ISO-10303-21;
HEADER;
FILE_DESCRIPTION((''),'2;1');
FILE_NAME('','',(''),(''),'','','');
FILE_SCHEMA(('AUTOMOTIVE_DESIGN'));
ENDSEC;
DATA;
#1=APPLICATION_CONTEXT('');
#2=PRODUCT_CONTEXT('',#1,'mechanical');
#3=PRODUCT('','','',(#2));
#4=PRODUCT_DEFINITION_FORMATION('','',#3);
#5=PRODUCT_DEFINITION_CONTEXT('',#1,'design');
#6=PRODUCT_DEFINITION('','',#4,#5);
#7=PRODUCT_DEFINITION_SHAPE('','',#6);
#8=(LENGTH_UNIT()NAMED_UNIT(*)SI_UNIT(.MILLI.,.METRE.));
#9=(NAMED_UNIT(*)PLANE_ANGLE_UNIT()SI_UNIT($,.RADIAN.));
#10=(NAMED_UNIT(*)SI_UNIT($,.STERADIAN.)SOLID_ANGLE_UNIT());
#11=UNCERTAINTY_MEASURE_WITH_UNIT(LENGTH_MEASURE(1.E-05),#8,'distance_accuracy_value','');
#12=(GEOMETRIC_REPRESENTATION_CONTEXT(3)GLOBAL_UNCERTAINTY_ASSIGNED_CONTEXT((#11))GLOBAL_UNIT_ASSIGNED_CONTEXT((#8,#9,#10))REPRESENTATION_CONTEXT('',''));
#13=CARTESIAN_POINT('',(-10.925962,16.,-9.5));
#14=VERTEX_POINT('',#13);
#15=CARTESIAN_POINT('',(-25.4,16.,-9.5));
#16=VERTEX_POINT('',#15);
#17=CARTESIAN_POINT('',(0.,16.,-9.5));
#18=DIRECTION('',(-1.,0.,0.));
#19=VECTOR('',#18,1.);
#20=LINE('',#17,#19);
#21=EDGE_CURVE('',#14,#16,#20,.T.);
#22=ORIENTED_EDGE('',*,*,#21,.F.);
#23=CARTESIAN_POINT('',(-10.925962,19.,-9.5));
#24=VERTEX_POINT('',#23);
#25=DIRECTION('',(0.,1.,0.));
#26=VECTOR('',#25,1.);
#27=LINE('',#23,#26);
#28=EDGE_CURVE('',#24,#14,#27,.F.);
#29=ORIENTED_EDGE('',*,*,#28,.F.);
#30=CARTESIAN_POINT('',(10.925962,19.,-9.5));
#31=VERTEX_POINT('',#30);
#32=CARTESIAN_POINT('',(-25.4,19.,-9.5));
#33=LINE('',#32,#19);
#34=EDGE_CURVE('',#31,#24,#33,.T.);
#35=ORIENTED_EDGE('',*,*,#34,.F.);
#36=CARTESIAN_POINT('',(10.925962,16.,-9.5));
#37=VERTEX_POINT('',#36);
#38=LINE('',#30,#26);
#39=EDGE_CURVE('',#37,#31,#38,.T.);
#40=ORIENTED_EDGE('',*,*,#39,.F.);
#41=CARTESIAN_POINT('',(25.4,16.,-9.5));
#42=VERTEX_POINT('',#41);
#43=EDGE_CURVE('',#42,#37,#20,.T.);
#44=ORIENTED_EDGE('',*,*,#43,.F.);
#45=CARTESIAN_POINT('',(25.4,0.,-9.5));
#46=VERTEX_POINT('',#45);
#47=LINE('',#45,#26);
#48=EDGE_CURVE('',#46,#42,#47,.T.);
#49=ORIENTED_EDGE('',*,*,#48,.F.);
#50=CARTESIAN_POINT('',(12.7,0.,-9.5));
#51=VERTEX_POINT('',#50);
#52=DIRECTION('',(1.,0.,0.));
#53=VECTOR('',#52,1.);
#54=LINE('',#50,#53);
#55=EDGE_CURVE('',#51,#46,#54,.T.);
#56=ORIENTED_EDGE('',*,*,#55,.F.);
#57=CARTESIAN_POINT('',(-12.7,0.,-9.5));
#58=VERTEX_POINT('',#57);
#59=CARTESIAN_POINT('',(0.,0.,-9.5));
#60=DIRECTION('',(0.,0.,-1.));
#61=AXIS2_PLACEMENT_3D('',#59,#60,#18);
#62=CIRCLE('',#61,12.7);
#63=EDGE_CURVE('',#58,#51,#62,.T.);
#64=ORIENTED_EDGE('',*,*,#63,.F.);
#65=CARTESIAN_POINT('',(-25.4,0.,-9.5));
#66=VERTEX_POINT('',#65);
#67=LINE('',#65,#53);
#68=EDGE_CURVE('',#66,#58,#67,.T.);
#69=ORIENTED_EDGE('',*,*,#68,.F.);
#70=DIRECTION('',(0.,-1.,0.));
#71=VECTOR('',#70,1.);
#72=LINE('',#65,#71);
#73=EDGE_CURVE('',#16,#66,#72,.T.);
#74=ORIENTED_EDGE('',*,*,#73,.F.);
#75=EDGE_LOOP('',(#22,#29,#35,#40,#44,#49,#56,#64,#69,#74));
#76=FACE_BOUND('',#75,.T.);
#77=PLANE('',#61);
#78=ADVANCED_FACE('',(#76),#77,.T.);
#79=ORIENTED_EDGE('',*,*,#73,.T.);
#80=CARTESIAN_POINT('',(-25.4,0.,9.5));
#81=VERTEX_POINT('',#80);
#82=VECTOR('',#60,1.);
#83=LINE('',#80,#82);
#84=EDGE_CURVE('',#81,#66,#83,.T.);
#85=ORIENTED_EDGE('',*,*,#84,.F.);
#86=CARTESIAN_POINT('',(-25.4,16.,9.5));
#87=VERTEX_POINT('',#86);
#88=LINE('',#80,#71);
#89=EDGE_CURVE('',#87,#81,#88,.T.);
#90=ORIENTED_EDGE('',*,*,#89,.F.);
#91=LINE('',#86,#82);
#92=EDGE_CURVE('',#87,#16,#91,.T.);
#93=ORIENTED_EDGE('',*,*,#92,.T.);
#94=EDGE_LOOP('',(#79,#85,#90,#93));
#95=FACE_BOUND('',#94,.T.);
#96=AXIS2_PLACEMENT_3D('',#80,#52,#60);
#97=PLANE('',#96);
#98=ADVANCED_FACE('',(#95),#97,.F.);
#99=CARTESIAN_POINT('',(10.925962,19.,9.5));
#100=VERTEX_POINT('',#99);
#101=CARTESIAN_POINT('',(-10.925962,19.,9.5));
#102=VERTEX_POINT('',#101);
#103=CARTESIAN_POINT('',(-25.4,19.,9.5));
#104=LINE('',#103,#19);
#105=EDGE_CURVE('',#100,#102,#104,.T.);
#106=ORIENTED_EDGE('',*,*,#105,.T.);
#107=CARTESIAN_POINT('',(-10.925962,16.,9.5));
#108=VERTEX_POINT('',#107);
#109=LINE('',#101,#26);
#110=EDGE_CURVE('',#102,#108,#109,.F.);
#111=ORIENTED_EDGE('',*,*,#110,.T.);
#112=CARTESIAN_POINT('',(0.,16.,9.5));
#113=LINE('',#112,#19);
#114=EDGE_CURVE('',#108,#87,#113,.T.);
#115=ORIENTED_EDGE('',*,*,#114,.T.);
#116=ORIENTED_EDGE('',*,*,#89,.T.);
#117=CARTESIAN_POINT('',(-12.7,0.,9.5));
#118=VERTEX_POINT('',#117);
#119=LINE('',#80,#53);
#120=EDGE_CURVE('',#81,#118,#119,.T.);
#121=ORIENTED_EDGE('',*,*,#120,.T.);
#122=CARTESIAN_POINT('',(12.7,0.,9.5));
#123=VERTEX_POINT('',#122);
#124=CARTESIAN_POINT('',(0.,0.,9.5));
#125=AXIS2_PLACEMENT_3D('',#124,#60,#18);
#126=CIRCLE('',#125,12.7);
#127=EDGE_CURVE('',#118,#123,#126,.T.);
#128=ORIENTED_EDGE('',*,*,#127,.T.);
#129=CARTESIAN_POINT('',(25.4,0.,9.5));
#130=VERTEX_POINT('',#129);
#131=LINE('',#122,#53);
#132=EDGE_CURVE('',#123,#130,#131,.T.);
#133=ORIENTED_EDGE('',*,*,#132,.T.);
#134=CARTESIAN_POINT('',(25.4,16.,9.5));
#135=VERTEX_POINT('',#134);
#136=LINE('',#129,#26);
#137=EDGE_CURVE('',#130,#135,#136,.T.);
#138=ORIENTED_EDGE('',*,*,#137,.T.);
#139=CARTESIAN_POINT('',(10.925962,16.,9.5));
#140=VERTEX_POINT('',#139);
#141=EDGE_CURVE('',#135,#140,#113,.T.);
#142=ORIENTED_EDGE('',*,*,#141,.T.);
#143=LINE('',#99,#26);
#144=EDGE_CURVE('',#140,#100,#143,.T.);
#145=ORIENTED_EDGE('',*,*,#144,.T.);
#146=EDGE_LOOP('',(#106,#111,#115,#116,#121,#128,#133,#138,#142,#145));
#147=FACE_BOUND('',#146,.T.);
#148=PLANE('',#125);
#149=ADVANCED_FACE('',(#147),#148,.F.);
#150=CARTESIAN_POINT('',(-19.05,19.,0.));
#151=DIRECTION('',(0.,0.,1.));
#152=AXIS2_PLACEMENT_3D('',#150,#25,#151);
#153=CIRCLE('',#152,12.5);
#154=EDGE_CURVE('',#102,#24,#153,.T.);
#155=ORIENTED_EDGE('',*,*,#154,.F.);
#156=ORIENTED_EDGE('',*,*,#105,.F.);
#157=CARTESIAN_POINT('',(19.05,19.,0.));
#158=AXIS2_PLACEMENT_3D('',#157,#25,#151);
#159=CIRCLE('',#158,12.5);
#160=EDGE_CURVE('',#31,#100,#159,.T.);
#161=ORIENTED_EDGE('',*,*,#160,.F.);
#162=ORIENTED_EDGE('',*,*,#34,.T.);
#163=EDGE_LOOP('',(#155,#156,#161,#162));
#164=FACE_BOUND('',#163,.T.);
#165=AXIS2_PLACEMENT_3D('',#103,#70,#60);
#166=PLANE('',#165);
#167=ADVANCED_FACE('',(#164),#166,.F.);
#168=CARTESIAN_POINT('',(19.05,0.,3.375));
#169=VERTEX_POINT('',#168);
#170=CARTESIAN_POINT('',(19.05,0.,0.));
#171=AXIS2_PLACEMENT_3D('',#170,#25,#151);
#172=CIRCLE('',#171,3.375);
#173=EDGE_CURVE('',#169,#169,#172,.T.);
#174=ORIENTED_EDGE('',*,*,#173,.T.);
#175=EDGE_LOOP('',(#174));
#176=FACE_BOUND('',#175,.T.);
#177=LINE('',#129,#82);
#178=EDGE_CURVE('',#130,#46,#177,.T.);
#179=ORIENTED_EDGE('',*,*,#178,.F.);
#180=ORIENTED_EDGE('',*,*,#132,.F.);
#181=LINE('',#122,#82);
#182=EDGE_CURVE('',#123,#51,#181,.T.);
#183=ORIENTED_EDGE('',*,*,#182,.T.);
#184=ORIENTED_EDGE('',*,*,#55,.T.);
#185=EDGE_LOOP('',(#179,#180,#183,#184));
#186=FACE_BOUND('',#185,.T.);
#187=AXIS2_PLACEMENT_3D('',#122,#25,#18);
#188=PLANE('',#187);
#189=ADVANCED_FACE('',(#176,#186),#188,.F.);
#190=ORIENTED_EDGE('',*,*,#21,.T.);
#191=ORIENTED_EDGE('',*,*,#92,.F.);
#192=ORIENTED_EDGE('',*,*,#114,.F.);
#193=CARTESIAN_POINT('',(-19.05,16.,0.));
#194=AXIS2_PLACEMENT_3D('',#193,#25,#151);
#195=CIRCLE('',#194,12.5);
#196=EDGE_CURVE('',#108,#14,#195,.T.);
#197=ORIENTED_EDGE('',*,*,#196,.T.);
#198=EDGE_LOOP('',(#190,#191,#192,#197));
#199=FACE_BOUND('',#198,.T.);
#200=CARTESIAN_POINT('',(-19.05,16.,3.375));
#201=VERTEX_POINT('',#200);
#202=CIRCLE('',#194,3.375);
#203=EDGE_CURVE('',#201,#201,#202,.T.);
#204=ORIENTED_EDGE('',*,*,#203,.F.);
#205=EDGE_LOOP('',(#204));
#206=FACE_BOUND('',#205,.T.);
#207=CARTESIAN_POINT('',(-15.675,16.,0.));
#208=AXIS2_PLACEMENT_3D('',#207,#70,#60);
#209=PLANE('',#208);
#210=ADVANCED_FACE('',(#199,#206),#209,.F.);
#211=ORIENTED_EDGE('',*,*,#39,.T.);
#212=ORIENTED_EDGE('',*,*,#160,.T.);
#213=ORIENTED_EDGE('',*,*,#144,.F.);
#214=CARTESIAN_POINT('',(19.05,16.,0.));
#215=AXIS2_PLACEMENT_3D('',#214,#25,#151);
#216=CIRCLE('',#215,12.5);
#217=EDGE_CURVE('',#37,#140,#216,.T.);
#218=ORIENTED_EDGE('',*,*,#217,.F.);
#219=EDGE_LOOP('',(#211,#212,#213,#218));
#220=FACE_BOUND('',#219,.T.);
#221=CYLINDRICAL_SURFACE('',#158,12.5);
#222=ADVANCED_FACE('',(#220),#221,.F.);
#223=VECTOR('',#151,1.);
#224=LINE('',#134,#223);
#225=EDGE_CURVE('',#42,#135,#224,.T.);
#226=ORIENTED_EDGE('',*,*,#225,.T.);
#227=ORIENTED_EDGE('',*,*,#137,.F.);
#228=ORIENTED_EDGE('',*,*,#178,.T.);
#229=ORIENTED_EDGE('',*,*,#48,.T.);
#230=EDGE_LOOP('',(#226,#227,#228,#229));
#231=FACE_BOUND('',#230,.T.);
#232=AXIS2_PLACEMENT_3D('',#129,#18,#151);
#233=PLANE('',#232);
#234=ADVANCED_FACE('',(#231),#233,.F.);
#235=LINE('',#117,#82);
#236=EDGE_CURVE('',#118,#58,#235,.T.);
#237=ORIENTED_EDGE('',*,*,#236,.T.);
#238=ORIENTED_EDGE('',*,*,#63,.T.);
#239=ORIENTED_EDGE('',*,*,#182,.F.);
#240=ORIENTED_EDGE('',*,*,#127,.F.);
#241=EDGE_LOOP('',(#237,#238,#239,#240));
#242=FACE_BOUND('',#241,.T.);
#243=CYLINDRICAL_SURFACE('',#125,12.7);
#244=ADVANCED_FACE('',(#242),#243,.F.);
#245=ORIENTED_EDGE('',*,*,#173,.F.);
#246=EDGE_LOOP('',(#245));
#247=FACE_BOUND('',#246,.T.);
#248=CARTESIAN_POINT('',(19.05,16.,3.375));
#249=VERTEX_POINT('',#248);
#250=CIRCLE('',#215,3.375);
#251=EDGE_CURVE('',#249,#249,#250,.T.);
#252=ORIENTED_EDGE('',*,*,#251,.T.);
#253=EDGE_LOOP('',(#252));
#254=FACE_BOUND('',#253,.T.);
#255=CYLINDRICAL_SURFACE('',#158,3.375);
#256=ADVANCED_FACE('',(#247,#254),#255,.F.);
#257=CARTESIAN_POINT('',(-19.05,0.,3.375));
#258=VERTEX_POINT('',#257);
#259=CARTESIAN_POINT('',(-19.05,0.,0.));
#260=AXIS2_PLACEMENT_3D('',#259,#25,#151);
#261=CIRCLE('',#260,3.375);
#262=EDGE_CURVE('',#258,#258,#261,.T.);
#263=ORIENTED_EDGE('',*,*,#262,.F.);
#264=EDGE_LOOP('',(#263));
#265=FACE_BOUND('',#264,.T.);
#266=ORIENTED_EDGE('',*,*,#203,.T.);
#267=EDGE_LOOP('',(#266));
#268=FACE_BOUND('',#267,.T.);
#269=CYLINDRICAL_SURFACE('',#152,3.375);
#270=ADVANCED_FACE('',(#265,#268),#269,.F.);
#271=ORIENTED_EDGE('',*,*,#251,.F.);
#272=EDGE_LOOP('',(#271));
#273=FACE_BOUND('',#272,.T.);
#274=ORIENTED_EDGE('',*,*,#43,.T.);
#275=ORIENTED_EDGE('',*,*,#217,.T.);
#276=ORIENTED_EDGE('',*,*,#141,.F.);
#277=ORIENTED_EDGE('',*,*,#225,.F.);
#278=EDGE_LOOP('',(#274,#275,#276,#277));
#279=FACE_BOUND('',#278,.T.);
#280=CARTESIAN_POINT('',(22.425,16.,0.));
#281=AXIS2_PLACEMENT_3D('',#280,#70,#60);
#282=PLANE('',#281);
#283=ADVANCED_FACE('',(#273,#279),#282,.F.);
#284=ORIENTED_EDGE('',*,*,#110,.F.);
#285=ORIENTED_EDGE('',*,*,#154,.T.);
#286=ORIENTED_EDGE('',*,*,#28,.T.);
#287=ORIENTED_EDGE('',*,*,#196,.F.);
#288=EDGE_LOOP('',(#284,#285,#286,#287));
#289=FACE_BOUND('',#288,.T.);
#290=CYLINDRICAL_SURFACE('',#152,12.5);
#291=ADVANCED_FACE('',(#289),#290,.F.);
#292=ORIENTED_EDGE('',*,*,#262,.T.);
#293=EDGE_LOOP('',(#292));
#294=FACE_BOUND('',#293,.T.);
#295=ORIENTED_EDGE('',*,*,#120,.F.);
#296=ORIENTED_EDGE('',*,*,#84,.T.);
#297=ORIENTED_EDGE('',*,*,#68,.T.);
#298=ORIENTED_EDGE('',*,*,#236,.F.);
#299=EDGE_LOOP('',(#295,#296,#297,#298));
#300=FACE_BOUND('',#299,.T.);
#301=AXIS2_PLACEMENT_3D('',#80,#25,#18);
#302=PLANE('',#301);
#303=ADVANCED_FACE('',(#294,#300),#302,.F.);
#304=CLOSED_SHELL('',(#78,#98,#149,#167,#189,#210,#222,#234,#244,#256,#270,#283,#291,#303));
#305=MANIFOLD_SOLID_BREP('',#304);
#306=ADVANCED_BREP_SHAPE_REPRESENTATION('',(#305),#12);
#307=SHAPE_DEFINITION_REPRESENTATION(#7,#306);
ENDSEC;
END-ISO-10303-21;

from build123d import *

# Parameters (mm, degrees)
BOSS_EXTRUDE1_DEPTH                           = 9.5
CBORE_FOR_M12_HEX_HEAD_CAP_SCREW1_D           = 6.75
CBORE_FOR_M12_HEX_HEAD_CAP_SCREW1_CBORE_D     = 25
CBORE_FOR_M12_HEX_HEAD_CAP_SCREW1_CBORE_DEPTH = 3


with BuildPart() as part:
    # Sketch2 → Boss-Extrude1 (new, symmetric)
    with BuildSketch(Plane.XY):
        with BuildLine():
            Line((12.7, 0), (25.4, 0))
            Line((25.4, 0), (25.4, 19))
            Line((25.4, 19), (-25.4, 19))
            Line((-25.4, 19), (-25.4, 0))
            Line((-25.4, 0), (-12.7, 0))
            ThreePointArc((-12.7, 0), (0, 12.7), (12.7, 0))
        make_face()
    extrude(amount=BOSS_EXTRUDE1_DEPTH, both=True)

    # CBORE for M12 Hex Head Cap Screw1 (through all)
    with Locations(Plane(origin=(0, 19, 0), x_dir=(1, 0, 0), z_dir=(0, 1, 0))):
        with Locations((-19.05, 0), (19.05, 0)):
            CounterBoreHole(CBORE_FOR_M12_HEX_HEAD_CAP_SCREW1_D / 2, CBORE_FOR_M12_HEX_HEAD_CAP_SCREW1_CBORE_D / 2, CBORE_FOR_M12_HEX_HEAD_CAP_SCREW1_CBORE_DEPTH)


solid = part.part
